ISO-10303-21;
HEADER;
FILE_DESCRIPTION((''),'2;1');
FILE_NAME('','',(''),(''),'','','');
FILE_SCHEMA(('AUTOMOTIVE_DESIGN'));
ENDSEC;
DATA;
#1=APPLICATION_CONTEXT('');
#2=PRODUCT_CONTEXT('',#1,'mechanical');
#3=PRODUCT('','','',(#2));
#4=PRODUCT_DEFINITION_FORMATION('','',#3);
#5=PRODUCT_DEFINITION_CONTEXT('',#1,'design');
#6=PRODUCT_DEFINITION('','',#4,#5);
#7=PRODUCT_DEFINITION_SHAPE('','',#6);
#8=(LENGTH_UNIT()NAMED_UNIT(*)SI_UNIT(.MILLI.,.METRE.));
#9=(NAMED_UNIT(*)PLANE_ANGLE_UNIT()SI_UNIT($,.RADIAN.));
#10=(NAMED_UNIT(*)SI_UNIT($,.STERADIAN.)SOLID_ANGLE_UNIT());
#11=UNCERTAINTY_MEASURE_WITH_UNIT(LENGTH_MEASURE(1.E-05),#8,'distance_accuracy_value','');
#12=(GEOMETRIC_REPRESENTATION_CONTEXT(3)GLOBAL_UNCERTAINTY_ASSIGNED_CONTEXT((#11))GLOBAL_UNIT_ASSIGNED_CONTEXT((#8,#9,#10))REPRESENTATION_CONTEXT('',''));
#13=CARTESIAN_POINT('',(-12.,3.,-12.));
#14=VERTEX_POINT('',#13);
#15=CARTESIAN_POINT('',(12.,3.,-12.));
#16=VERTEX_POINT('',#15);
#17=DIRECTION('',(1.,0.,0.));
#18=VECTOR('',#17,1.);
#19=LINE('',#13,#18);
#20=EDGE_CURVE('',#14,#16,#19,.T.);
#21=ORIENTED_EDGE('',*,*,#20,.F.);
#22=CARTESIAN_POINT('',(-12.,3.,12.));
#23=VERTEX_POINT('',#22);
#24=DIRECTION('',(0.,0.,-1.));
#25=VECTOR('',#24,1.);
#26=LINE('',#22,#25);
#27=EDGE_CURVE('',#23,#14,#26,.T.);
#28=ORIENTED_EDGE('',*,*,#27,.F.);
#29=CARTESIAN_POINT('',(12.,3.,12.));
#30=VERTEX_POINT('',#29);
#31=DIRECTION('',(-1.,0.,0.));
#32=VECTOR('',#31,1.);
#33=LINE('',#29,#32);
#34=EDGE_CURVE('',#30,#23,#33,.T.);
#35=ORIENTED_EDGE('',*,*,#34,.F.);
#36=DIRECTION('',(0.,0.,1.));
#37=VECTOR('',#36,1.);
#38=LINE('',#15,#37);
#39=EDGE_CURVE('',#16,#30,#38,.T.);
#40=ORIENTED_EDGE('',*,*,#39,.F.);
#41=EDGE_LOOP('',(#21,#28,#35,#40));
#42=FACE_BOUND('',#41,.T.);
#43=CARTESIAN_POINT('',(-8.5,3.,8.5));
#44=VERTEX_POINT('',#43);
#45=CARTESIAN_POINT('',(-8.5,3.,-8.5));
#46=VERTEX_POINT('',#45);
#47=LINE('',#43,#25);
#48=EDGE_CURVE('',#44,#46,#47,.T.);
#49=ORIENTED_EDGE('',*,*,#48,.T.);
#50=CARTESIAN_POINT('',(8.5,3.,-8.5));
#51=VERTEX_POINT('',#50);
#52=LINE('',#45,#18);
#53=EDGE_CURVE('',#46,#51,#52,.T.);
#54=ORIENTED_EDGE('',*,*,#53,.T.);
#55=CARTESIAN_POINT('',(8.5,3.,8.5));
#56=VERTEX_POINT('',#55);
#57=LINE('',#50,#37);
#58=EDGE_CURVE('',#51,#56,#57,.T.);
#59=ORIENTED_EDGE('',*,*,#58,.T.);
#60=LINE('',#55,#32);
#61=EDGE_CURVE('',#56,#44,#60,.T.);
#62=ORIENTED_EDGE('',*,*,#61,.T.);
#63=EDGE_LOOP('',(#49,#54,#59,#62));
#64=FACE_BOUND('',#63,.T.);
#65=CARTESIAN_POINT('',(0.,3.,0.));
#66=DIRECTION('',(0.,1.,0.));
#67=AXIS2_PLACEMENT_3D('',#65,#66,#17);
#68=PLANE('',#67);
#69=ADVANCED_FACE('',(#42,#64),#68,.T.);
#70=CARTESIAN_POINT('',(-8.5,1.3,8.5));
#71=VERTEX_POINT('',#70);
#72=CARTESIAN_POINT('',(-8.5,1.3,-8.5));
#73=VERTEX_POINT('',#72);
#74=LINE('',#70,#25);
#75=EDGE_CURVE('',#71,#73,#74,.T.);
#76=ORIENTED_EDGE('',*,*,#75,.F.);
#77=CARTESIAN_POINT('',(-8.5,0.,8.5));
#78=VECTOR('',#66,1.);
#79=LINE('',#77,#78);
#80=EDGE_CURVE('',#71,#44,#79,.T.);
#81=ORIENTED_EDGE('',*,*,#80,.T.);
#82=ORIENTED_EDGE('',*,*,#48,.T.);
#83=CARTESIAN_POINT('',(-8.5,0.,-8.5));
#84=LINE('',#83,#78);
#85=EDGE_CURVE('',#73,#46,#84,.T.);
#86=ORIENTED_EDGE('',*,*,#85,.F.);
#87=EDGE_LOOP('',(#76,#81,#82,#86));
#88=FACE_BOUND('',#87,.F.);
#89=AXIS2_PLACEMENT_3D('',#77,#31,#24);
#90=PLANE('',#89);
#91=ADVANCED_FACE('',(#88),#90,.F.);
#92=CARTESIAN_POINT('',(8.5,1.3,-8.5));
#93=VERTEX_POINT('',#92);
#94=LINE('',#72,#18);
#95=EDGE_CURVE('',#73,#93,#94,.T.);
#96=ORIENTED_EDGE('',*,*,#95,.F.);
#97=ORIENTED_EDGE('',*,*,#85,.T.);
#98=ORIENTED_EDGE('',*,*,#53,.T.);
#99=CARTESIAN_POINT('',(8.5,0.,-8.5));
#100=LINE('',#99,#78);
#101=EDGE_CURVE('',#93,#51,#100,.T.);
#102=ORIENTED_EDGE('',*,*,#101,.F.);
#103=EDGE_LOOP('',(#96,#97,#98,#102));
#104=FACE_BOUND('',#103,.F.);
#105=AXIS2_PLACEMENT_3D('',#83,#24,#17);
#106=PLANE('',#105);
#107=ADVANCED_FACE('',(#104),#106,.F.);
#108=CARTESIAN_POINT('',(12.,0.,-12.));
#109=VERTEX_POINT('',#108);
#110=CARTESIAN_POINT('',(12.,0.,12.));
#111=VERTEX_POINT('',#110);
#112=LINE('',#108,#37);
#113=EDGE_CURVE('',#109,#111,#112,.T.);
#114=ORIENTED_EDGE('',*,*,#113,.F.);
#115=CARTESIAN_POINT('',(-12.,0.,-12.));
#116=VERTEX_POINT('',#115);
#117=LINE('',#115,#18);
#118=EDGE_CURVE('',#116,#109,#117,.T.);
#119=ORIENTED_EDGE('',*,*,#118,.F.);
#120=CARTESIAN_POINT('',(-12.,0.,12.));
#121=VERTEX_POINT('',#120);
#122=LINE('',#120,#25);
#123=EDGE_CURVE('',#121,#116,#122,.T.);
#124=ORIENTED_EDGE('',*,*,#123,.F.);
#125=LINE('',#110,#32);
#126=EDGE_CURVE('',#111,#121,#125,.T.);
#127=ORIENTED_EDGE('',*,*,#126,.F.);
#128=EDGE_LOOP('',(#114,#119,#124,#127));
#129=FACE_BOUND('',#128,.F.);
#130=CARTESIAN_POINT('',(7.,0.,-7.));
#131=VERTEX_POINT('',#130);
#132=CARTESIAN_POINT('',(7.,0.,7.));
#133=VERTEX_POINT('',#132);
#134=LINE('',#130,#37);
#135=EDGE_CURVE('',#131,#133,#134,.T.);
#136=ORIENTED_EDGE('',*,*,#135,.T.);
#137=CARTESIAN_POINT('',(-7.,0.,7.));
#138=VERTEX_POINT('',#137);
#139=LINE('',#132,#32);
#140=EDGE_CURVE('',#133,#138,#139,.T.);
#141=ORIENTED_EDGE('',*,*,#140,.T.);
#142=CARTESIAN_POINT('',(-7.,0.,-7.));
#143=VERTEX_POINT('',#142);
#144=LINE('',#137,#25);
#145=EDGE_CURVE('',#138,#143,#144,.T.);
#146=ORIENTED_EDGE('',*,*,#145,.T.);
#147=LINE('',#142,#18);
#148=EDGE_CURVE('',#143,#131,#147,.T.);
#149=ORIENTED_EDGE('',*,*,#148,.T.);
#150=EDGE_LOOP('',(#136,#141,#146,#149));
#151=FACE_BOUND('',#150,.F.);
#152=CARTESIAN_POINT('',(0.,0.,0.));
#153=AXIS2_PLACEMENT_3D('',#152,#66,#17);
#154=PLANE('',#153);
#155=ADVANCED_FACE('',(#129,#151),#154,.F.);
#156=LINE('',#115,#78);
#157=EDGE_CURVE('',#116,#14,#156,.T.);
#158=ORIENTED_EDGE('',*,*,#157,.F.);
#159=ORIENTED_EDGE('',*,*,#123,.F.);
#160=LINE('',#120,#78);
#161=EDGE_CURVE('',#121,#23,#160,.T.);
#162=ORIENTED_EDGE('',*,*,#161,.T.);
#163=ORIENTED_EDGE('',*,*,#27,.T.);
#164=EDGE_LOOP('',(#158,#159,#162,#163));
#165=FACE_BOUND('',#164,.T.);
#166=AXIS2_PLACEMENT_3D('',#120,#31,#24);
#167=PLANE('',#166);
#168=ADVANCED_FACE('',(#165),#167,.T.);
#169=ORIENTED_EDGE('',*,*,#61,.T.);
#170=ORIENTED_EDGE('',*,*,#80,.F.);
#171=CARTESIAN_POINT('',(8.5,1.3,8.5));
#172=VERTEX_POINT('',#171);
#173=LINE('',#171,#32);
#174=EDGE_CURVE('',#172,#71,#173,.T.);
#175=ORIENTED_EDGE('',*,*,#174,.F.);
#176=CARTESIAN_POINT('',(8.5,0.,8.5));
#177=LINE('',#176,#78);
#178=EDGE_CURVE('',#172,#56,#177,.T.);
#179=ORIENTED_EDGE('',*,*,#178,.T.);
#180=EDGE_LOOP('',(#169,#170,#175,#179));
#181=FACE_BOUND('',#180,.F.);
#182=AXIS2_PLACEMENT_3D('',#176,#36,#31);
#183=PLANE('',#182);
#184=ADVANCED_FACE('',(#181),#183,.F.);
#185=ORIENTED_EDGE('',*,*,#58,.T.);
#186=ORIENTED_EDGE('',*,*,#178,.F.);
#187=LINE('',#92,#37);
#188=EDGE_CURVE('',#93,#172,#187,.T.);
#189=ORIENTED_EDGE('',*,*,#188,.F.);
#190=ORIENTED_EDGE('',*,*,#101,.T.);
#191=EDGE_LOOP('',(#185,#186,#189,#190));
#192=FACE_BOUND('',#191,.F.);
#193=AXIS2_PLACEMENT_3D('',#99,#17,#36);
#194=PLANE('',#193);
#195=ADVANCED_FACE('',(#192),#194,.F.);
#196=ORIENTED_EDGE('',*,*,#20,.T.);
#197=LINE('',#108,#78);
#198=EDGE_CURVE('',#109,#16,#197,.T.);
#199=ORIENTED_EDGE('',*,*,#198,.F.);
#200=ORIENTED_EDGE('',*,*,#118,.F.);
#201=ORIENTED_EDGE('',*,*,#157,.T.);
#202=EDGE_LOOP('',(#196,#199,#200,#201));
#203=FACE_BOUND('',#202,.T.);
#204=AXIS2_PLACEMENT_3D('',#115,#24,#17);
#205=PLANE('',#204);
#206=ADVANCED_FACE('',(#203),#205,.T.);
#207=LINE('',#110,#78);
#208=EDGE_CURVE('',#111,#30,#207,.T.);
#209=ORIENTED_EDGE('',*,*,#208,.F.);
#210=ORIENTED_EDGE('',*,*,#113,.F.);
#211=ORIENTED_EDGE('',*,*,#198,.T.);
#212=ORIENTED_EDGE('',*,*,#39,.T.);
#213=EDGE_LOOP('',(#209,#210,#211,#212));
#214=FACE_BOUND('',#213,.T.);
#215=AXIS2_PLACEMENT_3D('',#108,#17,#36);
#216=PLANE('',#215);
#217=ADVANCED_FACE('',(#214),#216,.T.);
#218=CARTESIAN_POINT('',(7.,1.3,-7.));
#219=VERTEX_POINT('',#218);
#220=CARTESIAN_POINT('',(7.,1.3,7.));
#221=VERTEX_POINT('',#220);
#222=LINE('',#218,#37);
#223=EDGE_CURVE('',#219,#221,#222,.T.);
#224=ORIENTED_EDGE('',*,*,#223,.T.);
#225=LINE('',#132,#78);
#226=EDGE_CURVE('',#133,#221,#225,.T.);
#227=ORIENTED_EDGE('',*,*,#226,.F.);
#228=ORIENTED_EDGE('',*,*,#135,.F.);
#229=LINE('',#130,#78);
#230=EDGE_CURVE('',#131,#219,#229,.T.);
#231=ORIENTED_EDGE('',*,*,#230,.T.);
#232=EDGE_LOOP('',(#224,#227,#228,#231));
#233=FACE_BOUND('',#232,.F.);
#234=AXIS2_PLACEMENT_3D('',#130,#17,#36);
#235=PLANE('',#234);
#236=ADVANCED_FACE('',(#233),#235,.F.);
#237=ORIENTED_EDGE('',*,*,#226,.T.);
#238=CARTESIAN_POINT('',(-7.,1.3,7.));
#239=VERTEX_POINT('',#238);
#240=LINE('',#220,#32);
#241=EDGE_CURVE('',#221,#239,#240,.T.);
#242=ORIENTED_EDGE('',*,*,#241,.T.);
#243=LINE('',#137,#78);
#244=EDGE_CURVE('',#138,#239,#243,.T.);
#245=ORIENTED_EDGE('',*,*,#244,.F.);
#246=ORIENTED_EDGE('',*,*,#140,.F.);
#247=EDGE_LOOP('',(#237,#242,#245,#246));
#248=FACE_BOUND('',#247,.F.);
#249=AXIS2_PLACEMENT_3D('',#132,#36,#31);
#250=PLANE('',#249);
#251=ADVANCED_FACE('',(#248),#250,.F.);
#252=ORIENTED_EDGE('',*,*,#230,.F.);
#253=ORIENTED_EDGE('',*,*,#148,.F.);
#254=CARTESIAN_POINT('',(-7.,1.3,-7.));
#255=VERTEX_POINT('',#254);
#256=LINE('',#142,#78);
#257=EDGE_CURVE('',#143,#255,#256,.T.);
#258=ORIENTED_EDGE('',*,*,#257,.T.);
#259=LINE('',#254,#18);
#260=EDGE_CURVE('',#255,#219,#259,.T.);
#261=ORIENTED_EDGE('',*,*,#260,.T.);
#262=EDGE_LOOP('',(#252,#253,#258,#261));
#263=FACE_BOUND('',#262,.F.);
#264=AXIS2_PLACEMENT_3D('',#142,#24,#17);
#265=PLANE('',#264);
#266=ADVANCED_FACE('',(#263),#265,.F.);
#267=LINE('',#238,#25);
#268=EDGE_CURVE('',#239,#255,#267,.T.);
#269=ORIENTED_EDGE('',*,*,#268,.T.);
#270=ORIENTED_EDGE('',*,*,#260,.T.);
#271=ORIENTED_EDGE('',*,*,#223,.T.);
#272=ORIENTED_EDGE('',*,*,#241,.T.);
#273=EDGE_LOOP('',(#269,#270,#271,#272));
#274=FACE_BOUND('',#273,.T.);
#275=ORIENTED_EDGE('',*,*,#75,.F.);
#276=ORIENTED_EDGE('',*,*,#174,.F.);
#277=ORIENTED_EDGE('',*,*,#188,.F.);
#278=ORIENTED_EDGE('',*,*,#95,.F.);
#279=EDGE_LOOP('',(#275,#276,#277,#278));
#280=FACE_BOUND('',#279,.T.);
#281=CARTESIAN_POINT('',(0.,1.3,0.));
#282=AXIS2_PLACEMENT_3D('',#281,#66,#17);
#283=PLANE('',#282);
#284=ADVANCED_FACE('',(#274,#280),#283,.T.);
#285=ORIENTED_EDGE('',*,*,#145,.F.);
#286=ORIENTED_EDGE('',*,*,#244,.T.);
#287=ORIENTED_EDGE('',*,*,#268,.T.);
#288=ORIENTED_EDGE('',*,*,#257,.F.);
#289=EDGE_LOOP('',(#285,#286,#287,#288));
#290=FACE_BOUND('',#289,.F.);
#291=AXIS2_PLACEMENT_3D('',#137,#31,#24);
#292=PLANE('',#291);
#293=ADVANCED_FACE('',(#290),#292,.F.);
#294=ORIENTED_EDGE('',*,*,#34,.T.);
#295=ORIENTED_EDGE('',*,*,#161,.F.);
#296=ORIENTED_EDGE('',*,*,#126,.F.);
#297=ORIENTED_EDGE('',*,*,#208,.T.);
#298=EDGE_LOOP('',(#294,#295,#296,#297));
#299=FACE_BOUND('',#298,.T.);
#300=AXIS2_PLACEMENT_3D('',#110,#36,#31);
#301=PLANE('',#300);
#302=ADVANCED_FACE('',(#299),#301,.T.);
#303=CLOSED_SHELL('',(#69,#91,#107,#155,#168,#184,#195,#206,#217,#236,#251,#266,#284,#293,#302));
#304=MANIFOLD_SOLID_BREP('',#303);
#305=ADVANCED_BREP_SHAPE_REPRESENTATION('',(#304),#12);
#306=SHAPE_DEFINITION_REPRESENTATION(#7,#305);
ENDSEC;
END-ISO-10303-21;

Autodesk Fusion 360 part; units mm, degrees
sketch "Switch" plane through (0, 0, 0) normal (0, 1, 0) x (1, 0, 0)
  line L0 (-7, 7) -> (7, 7)
  line L1 (-8.5, -8.5) -> (-8.5, 8.5)
  line L2 (7, -7) -> (-7, -7)
  line L3 (-8.5, 8.5) -> (8.5, 8.5)
  line L4 (-8.5, -8.5) -> (8.5, 8.5) construction
  line L5 (-7, -7) -> (7, 7) construction
  line L6 (8.5, -8.5) -> (-8.5, -8.5)
  line L7 (-7, -7) -> (-7, 7)
  line L8 (7, 7) -> (7, -7)
  line L9 (8.5, 8.5) -> (8.5, -8.5)
  line L10 (8.5, -8.5) -> (-8.5, 8.5) construction
  line L11 (7, -7) -> (-7, 7) construction
  line L12 (-12, 12) -> (12, 12)
  line L13 (12, 12) -> (12, -12)
  line L14 (12, -12) -> (-12, -12)
  line L15 (-12, -12) -> (-12, 12)
  line L16 (-12, 12) -> (12, -12) construction
  line L17 (12, 12) -> (-12, -12) construction
  dimension "d1" = 14
  dimension "d2" = 14
  dimension "d3" = 1.5
  dimension "d4" = 1.5
  dimension "d5" = 1.5
  dimension "d6" = 1.5
  dimension "d7" = 24
  dimension "d8" = 24
extrude "Extrude1" add sketch "Switch" along normal blind 3 contours L12 L13 L14 L15
extrude "Extrude2" add sketch "Switch" along normal blind 1.3 contours L1 L3 L6 L9
